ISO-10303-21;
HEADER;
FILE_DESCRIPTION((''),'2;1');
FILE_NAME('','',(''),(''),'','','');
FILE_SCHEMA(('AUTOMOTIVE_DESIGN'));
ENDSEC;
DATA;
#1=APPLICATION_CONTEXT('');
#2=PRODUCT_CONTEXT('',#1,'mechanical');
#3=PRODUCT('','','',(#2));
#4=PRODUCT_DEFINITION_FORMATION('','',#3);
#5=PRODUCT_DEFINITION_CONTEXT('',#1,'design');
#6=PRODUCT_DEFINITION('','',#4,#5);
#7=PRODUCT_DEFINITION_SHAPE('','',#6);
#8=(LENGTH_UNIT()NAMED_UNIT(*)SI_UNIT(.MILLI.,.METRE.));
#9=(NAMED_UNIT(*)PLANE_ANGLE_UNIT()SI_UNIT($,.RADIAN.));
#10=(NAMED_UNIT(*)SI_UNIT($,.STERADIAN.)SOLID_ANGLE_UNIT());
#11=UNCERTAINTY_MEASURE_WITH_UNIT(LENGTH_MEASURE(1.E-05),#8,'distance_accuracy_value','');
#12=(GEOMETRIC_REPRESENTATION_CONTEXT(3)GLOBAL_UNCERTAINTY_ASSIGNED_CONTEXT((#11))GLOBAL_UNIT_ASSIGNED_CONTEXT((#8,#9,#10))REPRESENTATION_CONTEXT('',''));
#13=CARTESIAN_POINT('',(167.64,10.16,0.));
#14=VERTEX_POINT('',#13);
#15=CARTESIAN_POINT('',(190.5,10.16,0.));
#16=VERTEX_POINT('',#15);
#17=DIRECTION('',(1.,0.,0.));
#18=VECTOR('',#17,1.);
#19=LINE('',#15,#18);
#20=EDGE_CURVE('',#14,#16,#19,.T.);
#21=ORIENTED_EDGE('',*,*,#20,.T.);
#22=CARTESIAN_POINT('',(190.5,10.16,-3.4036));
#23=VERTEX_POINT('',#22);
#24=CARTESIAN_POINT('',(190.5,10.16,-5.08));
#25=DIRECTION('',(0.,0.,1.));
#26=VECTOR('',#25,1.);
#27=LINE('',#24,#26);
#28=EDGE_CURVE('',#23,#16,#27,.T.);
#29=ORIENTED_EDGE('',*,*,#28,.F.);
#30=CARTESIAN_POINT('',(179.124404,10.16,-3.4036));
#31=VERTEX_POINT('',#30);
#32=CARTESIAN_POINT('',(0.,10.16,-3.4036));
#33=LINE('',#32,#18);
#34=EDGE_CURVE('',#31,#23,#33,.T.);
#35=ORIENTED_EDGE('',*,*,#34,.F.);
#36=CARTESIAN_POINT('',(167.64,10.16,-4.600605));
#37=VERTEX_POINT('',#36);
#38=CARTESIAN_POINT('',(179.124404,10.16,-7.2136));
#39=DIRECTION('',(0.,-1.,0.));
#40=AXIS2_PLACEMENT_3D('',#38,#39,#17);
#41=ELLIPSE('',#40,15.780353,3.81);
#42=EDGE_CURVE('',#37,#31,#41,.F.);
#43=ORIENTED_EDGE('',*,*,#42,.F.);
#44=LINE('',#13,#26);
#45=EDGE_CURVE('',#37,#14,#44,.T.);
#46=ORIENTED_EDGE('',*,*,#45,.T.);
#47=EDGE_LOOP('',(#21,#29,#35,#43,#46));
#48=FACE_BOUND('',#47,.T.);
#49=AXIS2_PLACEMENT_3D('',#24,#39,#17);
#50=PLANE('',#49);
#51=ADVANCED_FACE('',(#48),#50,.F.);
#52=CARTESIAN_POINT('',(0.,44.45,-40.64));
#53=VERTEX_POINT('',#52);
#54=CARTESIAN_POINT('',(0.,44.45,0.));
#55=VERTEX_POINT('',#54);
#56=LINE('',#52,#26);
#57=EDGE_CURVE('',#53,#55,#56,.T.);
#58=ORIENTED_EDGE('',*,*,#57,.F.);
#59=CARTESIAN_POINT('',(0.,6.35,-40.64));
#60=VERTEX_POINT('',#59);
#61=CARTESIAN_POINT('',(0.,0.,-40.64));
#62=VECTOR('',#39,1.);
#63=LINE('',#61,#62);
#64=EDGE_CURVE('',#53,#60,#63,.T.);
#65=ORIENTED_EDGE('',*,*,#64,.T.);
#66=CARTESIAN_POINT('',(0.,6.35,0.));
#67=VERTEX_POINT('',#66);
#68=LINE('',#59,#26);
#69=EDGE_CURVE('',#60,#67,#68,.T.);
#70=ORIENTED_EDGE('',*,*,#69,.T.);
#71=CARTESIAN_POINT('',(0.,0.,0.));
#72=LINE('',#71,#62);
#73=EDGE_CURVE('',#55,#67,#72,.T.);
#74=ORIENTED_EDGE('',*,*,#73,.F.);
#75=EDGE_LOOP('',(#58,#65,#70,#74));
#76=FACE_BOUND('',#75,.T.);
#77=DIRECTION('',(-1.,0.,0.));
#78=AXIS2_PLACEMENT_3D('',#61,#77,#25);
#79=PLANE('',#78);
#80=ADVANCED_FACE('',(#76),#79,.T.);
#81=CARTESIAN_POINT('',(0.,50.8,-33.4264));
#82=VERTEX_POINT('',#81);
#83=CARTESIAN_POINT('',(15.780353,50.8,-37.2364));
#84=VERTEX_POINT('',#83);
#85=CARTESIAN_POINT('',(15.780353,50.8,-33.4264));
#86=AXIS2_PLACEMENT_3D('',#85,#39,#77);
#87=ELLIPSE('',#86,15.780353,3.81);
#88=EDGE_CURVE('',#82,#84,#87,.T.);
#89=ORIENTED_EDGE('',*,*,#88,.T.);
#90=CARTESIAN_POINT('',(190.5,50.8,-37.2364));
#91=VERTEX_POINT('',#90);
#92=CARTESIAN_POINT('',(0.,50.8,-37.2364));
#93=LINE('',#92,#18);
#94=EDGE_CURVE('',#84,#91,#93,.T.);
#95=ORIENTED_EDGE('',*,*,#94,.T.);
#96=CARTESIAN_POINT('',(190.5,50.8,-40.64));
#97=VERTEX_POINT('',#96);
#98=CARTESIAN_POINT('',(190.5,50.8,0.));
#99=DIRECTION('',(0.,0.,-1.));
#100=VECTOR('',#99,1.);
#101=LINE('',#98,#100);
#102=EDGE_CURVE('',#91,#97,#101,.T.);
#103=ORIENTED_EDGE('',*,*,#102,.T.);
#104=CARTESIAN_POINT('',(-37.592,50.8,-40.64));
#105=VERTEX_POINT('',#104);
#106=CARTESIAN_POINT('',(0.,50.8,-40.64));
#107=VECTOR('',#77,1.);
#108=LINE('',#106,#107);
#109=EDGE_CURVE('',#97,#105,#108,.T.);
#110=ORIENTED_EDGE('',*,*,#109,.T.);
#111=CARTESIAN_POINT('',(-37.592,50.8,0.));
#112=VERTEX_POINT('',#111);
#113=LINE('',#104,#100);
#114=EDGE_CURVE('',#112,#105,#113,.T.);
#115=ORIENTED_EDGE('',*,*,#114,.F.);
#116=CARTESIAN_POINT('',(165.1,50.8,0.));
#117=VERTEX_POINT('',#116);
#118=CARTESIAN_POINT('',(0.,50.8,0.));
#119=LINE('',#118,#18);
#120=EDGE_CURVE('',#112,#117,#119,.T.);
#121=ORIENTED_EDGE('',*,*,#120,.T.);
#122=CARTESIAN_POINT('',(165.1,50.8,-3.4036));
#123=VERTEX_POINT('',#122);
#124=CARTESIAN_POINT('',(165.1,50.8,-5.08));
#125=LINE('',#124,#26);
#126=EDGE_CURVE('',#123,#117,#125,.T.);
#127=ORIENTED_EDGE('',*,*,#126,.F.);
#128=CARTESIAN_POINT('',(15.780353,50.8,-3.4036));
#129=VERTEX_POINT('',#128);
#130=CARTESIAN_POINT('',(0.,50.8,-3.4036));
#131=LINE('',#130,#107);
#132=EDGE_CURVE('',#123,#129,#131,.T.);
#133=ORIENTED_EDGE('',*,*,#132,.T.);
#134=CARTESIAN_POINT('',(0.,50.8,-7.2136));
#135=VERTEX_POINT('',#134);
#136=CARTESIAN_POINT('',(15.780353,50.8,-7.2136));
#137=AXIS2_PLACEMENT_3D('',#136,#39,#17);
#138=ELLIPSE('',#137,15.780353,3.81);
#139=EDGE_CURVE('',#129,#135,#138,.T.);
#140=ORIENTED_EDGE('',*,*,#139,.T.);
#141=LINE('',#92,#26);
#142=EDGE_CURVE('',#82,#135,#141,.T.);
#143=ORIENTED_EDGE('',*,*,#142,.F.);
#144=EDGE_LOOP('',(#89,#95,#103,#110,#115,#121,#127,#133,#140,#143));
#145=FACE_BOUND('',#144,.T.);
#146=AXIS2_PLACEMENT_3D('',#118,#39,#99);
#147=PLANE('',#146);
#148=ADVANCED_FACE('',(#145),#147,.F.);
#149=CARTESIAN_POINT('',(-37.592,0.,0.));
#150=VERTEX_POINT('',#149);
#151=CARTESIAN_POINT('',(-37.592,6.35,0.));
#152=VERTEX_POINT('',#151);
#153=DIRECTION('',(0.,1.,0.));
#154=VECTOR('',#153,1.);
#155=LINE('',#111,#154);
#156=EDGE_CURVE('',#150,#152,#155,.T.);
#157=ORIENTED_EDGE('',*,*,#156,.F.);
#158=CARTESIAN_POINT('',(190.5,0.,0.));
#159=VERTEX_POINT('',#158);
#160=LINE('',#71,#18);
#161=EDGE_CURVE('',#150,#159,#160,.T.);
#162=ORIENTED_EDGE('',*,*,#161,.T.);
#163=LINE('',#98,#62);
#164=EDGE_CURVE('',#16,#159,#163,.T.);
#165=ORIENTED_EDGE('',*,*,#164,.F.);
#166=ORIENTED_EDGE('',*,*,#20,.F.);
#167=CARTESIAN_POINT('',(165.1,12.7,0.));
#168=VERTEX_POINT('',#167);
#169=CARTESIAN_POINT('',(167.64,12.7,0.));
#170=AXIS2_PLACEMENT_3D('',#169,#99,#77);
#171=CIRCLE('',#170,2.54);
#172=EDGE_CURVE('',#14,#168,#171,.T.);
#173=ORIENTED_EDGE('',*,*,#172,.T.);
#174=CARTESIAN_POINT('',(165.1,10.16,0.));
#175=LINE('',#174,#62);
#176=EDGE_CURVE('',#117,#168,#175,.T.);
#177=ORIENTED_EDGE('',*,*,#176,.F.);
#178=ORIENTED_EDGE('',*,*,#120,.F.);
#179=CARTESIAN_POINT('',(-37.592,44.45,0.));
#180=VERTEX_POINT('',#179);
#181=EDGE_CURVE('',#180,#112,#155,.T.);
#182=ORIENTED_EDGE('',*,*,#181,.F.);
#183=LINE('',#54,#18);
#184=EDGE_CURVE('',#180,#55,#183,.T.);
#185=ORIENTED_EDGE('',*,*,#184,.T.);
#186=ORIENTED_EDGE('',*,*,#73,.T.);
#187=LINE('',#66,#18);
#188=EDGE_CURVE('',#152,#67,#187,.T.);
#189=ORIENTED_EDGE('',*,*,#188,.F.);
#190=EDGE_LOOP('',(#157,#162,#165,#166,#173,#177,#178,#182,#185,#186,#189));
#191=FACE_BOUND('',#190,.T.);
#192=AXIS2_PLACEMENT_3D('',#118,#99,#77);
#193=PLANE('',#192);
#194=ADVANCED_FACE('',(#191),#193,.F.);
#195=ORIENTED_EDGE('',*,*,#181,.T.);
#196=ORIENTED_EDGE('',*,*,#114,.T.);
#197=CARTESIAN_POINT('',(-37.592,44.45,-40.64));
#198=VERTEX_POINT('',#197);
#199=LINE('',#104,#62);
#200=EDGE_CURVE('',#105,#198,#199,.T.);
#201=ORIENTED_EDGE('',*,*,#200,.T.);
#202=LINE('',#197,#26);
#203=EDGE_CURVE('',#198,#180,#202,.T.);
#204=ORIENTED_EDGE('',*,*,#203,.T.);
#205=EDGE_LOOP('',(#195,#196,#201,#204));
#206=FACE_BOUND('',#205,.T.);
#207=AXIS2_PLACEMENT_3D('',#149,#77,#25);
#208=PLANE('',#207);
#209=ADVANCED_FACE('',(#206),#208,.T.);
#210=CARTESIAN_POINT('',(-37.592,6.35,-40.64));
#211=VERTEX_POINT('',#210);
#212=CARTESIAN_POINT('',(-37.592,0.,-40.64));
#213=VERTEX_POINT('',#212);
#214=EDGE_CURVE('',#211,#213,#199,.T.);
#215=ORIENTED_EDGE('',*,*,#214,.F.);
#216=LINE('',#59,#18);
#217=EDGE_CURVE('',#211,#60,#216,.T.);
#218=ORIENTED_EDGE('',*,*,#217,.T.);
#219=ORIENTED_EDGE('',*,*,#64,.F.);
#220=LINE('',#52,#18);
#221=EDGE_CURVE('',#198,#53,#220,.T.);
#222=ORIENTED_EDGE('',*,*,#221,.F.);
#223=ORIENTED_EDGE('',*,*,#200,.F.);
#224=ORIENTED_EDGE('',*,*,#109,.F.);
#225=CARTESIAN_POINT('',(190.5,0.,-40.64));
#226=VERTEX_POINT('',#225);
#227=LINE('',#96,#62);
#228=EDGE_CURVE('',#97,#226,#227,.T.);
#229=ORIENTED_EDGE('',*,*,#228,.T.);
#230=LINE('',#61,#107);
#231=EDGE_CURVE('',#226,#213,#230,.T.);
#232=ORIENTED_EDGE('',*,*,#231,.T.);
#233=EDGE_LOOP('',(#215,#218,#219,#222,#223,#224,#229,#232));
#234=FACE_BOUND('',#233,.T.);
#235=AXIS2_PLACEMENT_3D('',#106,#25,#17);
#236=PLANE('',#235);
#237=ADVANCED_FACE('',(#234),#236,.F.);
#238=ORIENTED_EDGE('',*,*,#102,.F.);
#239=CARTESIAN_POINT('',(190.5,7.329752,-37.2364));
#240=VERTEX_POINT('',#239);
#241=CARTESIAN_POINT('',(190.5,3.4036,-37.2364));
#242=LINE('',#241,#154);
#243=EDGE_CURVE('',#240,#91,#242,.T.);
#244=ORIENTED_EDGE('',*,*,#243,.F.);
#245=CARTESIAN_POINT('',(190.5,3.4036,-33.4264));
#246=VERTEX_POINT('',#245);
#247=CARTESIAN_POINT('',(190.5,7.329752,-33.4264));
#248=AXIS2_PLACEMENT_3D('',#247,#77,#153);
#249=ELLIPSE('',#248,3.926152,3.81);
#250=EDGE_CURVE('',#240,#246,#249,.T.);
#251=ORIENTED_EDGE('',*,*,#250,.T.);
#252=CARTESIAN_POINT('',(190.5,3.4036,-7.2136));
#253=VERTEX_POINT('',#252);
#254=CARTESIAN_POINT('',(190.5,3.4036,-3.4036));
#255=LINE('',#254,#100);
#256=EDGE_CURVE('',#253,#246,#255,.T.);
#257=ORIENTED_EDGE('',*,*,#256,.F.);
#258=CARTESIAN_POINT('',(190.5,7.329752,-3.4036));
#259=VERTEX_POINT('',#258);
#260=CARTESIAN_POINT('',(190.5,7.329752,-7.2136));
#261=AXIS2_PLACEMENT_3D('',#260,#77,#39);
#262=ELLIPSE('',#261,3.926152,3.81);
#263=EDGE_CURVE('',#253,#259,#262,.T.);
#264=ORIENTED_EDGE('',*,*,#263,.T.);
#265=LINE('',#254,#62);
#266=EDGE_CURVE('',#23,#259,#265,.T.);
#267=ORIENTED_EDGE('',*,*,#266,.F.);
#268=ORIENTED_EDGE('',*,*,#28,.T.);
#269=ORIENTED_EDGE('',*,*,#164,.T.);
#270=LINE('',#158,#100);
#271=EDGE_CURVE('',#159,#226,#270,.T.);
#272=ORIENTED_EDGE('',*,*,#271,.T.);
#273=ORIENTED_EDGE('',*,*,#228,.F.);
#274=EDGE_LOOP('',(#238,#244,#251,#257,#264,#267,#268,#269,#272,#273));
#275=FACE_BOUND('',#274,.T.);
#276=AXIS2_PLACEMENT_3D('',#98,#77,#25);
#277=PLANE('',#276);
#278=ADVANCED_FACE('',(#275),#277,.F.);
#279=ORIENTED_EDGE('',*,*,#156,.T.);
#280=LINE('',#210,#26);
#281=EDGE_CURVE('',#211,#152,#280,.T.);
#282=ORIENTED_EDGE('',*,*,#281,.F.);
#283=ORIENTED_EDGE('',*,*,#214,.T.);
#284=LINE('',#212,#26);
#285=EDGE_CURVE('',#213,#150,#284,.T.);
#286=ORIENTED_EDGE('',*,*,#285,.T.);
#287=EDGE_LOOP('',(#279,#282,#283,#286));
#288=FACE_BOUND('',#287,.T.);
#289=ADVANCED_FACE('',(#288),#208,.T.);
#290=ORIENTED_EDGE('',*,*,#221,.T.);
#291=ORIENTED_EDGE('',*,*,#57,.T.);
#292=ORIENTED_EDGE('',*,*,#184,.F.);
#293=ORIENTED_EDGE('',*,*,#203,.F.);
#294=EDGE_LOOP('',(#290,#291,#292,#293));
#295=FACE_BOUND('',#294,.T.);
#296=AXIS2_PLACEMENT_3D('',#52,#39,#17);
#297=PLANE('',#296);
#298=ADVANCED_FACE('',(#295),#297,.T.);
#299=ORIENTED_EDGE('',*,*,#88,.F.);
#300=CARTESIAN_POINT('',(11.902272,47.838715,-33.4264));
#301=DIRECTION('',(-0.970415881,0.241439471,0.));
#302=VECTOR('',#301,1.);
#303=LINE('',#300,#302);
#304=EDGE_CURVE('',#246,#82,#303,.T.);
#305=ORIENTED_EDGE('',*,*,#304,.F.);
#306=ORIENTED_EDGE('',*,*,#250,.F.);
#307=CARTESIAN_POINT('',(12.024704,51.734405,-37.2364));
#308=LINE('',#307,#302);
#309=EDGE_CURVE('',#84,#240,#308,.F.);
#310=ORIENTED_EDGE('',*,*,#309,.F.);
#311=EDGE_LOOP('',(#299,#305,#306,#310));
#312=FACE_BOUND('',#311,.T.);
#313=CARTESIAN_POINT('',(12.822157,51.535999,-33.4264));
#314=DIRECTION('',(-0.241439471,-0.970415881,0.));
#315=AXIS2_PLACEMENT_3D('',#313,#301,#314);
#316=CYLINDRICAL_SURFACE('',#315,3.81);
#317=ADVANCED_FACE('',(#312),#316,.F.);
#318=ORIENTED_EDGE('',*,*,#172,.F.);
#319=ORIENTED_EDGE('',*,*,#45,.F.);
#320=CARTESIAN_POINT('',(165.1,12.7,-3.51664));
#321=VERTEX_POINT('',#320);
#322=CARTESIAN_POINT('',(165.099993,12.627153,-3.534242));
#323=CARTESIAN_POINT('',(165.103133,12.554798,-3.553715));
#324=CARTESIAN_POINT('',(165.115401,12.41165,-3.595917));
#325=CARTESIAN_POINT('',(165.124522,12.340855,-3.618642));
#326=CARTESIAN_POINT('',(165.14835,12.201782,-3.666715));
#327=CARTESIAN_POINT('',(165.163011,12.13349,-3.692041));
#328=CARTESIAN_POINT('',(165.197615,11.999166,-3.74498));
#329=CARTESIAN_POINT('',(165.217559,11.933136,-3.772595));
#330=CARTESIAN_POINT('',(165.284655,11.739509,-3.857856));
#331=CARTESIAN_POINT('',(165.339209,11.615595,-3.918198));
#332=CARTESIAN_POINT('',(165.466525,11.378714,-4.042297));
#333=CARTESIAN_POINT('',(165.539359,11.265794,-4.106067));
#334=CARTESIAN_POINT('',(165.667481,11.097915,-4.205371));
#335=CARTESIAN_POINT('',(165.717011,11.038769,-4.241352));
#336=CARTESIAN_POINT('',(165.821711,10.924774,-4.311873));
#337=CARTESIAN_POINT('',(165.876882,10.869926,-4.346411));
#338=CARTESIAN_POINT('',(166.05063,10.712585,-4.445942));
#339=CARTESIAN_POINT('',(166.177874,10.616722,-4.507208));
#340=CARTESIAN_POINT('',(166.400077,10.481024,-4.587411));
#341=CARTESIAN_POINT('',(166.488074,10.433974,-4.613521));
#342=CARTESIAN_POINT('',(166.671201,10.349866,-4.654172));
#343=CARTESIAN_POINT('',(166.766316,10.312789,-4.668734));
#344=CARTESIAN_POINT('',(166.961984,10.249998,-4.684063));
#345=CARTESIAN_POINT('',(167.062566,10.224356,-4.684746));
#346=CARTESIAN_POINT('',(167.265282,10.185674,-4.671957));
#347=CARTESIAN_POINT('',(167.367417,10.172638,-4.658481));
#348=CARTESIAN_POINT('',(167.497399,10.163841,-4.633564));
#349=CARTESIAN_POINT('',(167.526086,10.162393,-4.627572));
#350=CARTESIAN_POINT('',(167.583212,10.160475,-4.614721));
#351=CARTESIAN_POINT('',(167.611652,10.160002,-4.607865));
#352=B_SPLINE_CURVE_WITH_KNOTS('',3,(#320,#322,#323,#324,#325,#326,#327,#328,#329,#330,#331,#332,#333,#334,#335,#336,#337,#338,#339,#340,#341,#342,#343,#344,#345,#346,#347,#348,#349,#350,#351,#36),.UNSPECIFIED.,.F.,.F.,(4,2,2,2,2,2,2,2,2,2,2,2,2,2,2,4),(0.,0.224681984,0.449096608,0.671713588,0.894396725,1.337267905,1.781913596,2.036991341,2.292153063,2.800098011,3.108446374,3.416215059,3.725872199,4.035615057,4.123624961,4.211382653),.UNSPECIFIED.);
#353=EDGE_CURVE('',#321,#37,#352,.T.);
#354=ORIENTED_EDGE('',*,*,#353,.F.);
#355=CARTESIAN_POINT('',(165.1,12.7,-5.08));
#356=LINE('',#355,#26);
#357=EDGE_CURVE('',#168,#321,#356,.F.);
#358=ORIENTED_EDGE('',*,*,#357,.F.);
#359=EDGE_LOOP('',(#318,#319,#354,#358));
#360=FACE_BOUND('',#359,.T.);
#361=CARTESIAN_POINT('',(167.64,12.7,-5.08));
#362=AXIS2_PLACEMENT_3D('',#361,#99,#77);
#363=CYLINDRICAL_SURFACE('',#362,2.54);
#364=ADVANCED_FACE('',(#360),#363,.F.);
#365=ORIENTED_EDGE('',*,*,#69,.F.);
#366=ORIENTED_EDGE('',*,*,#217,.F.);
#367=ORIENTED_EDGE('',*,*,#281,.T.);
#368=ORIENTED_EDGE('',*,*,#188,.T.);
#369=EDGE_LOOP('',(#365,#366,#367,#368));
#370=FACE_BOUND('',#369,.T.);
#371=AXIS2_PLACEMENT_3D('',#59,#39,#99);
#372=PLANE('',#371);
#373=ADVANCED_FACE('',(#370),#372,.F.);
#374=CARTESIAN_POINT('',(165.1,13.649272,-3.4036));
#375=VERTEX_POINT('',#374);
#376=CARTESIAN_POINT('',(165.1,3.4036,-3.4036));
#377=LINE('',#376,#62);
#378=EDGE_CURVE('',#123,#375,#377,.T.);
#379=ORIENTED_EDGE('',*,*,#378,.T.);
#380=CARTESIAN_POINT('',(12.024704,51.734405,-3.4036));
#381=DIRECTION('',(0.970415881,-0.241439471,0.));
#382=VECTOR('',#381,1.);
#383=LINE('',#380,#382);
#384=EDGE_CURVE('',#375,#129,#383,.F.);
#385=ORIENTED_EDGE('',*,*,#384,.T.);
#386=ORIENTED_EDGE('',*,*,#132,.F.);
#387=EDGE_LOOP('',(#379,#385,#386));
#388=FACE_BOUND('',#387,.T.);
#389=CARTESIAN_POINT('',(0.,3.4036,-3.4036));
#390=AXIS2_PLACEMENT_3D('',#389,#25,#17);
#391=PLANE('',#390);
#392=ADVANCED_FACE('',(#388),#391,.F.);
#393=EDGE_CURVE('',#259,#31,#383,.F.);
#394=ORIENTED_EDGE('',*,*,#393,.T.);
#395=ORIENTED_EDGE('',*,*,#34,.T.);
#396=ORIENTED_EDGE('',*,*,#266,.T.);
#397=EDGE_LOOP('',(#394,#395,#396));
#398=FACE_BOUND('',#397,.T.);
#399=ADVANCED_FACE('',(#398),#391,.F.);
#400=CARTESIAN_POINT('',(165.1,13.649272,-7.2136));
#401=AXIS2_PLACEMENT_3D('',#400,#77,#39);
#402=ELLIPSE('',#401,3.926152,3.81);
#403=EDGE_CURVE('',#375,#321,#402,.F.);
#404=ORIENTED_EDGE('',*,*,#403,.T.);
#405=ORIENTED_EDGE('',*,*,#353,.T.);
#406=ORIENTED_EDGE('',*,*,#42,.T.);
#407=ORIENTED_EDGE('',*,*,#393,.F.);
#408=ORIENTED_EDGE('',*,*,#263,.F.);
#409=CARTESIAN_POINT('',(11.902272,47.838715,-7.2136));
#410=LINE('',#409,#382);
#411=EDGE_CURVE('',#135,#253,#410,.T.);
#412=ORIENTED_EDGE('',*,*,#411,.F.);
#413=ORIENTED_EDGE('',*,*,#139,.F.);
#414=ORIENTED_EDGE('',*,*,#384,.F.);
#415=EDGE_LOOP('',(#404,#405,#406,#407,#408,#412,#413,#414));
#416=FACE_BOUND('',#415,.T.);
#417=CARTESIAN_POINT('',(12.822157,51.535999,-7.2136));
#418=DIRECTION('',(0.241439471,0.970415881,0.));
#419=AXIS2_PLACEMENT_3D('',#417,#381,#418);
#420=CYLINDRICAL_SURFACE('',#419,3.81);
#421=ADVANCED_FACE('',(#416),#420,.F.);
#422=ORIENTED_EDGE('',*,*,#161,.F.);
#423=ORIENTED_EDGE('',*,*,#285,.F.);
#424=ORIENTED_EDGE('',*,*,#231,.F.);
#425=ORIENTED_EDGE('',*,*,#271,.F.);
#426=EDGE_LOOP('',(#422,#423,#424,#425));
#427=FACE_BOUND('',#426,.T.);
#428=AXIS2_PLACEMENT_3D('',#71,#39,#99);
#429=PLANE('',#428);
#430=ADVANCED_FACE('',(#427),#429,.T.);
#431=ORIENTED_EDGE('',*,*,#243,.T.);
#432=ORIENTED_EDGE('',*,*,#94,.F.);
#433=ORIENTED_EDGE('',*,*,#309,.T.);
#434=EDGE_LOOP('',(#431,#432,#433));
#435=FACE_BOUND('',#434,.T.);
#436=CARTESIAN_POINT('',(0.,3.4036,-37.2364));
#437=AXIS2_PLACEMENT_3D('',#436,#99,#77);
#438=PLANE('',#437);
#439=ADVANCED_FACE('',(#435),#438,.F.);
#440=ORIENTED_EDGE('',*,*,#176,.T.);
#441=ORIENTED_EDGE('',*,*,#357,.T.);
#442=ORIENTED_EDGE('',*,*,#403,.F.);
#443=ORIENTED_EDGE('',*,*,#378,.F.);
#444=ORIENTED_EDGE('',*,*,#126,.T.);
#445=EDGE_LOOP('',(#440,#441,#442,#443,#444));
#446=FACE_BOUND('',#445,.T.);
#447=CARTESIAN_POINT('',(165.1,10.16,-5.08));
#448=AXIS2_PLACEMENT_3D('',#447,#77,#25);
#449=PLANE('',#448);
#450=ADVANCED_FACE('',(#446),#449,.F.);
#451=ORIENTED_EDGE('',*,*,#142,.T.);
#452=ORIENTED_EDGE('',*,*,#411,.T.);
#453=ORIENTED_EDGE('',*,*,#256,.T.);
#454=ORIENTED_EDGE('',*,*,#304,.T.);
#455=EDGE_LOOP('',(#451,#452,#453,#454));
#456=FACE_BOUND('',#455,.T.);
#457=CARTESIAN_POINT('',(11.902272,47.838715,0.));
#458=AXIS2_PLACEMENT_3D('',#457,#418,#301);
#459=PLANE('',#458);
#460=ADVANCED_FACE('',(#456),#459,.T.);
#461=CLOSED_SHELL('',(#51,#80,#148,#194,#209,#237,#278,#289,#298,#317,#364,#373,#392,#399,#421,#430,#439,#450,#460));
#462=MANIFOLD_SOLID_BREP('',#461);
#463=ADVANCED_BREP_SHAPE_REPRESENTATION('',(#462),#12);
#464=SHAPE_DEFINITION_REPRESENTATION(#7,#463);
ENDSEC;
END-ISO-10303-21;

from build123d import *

# Parameters (mm, degrees)
SKETCH1_W           = 190.5
SKETCH1_H           = 40.64
BOSS_EXTRUDE1_DEPTH = 50.8
SKETCH2_W           = 33.8328
SKETCH2_H           = 53.486117269
CUT_EXTRUDE1_DEPTH  = 202.302010919
BOSS_EXTRUDE2_REACH = 191.307
SKETCH4_W           = 196.307587048
SKETCH4_H           = 33.8328
SKETCH6_W           = 25.4
SKETCH6_H           = 50.8
CUT_EXTRUDE3_DEPTH  = 202.302010919
FILLET1_R           = 3.81
SKETCH7_W           = 25.4
SKETCH7_H           = 40.64
CUT_EXTRUDE4_DEPTH  = 5.08
SKETCH8_W           = 40.64
SKETCH8_H           = 50.8
BOSS_EXTRUDE3_DEPTH = 37.592
FILLET2_R           = 2.54
SKETCH9_W           = 37.592
SKETCH9_H           = 38.1
CUT_EXTRUDE5_DEPTH  = 202.302011039


with BuildPart() as part:
    # Sketch1 → Boss-Extrude1 (new body)
    with BuildSketch(Plane(origin=(0, 0, 0), x_dir=(1, 0, 0), z_dir=(0, 1, 0))):
        with Locations((95.25, 20.32)):
            Rectangle(SKETCH1_W, SKETCH1_H)
    extrude(amount=BOSS_EXTRUDE1_DEPTH)

    # Sketch2 → Cut-Extrude1 (cut, through all)
    with BuildSketch(Plane(origin=(190.5, 0, 0), x_dir=(0, 0, -1), z_dir=(1, 0, 0))):
        with Locations((20.32, 30.146658634)):
            Rectangle(SKETCH2_W, SKETCH2_H)
    extrude(amount=-CUT_EXTRUDE1_DEPTH, mode=Mode.SUBTRACT)

    # Boss-Extrude2: up to this face of the body (flat: up to its plane)
    boss_extrude2_end = Plane(part.part.faces().sort_by_distance((95.25, 3.4036, -20.32))[0])
    # Sketch4 → Boss-Extrude2 (add, up to the picked face)
    with BuildSketch(Plane(origin=(11.902272211, 47.838714674, 0), x_dir=(0.9704158808316984, -0.24143947115092654, 0), z_dir=(0.2414394711509265, 0.9704158808316983, 0)), mode=Mode.PRIVATE) as boss_extrude2_sk1:
        with Locations((85.88866839, 20.32)):
            Rectangle(SKETCH4_W, SKETCH4_H)
    boss_extrude2_tool1 = split(extrude(boss_extrude2_sk1.sketch, amount=-BOSS_EXTRUDE2_REACH, mode=Mode.PRIVATE), bisect_by=boss_extrude2_end, keep=Keep.BOTH, mode=Mode.PRIVATE)
    add(boss_extrude2_tool1.solids().sort_by(Axis((95.25, 27.1018, -20.32), (-0.2414394711509265, -0.9704158808316983, 0)))[0])

    # Sketch6 → Cut-Extrude3 (cut, through all)
    with BuildSketch(Plane.XY):
        with Locations((-12.7, 25.4)):
            Rectangle(SKETCH6_W, SKETCH6_H)
    extrude(amount=-CUT_EXTRUDE3_DEPTH, mode=Mode.SUBTRACT)

    # Fillet1
    fillet1_edges = [part.edges().sort_by_distance(p)[0] for p in [
        (95.25, 27.1018, -3.4036),
        (95.25, 27.1018, -37.2364),
    ]]
    fillet(fillet1_edges, radius=FILLET1_R)

    # Sketch7 → Cut-Extrude4 (cut)
    with BuildSketch(Plane.XY):
        with Locations((177.8, 30.48)):
            Rectangle(SKETCH7_W, SKETCH7_H)
    extrude(amount=-CUT_EXTRUDE4_DEPTH, mode=Mode.SUBTRACT)

    # Sketch8 → Boss-Extrude3 (add)
    with BuildSketch(Plane.ZY):
        with Locations((-20.32, 25.4)):
            Rectangle(SKETCH8_W, SKETCH8_H)
    extrude(amount=BOSS_EXTRUDE3_DEPTH)

    # Fillet2
    fillet2_edges = [part.edges().sort_by_distance(p)[0] for p in [
        (165.1, 10.16, -2.54),
    ]]
    fillet(fillet2_edges, radius=FILLET2_R)

    # Sketch9 → Cut-Extrude5 (cut, through all)
    with BuildSketch(Plane.XY):
        with Locations((-18.796, 25.4)):
            Rectangle(SKETCH9_W, SKETCH9_H)
    extrude(amount=-CUT_EXTRUDE5_DEPTH, mode=Mode.SUBTRACT)


solid = part.part
